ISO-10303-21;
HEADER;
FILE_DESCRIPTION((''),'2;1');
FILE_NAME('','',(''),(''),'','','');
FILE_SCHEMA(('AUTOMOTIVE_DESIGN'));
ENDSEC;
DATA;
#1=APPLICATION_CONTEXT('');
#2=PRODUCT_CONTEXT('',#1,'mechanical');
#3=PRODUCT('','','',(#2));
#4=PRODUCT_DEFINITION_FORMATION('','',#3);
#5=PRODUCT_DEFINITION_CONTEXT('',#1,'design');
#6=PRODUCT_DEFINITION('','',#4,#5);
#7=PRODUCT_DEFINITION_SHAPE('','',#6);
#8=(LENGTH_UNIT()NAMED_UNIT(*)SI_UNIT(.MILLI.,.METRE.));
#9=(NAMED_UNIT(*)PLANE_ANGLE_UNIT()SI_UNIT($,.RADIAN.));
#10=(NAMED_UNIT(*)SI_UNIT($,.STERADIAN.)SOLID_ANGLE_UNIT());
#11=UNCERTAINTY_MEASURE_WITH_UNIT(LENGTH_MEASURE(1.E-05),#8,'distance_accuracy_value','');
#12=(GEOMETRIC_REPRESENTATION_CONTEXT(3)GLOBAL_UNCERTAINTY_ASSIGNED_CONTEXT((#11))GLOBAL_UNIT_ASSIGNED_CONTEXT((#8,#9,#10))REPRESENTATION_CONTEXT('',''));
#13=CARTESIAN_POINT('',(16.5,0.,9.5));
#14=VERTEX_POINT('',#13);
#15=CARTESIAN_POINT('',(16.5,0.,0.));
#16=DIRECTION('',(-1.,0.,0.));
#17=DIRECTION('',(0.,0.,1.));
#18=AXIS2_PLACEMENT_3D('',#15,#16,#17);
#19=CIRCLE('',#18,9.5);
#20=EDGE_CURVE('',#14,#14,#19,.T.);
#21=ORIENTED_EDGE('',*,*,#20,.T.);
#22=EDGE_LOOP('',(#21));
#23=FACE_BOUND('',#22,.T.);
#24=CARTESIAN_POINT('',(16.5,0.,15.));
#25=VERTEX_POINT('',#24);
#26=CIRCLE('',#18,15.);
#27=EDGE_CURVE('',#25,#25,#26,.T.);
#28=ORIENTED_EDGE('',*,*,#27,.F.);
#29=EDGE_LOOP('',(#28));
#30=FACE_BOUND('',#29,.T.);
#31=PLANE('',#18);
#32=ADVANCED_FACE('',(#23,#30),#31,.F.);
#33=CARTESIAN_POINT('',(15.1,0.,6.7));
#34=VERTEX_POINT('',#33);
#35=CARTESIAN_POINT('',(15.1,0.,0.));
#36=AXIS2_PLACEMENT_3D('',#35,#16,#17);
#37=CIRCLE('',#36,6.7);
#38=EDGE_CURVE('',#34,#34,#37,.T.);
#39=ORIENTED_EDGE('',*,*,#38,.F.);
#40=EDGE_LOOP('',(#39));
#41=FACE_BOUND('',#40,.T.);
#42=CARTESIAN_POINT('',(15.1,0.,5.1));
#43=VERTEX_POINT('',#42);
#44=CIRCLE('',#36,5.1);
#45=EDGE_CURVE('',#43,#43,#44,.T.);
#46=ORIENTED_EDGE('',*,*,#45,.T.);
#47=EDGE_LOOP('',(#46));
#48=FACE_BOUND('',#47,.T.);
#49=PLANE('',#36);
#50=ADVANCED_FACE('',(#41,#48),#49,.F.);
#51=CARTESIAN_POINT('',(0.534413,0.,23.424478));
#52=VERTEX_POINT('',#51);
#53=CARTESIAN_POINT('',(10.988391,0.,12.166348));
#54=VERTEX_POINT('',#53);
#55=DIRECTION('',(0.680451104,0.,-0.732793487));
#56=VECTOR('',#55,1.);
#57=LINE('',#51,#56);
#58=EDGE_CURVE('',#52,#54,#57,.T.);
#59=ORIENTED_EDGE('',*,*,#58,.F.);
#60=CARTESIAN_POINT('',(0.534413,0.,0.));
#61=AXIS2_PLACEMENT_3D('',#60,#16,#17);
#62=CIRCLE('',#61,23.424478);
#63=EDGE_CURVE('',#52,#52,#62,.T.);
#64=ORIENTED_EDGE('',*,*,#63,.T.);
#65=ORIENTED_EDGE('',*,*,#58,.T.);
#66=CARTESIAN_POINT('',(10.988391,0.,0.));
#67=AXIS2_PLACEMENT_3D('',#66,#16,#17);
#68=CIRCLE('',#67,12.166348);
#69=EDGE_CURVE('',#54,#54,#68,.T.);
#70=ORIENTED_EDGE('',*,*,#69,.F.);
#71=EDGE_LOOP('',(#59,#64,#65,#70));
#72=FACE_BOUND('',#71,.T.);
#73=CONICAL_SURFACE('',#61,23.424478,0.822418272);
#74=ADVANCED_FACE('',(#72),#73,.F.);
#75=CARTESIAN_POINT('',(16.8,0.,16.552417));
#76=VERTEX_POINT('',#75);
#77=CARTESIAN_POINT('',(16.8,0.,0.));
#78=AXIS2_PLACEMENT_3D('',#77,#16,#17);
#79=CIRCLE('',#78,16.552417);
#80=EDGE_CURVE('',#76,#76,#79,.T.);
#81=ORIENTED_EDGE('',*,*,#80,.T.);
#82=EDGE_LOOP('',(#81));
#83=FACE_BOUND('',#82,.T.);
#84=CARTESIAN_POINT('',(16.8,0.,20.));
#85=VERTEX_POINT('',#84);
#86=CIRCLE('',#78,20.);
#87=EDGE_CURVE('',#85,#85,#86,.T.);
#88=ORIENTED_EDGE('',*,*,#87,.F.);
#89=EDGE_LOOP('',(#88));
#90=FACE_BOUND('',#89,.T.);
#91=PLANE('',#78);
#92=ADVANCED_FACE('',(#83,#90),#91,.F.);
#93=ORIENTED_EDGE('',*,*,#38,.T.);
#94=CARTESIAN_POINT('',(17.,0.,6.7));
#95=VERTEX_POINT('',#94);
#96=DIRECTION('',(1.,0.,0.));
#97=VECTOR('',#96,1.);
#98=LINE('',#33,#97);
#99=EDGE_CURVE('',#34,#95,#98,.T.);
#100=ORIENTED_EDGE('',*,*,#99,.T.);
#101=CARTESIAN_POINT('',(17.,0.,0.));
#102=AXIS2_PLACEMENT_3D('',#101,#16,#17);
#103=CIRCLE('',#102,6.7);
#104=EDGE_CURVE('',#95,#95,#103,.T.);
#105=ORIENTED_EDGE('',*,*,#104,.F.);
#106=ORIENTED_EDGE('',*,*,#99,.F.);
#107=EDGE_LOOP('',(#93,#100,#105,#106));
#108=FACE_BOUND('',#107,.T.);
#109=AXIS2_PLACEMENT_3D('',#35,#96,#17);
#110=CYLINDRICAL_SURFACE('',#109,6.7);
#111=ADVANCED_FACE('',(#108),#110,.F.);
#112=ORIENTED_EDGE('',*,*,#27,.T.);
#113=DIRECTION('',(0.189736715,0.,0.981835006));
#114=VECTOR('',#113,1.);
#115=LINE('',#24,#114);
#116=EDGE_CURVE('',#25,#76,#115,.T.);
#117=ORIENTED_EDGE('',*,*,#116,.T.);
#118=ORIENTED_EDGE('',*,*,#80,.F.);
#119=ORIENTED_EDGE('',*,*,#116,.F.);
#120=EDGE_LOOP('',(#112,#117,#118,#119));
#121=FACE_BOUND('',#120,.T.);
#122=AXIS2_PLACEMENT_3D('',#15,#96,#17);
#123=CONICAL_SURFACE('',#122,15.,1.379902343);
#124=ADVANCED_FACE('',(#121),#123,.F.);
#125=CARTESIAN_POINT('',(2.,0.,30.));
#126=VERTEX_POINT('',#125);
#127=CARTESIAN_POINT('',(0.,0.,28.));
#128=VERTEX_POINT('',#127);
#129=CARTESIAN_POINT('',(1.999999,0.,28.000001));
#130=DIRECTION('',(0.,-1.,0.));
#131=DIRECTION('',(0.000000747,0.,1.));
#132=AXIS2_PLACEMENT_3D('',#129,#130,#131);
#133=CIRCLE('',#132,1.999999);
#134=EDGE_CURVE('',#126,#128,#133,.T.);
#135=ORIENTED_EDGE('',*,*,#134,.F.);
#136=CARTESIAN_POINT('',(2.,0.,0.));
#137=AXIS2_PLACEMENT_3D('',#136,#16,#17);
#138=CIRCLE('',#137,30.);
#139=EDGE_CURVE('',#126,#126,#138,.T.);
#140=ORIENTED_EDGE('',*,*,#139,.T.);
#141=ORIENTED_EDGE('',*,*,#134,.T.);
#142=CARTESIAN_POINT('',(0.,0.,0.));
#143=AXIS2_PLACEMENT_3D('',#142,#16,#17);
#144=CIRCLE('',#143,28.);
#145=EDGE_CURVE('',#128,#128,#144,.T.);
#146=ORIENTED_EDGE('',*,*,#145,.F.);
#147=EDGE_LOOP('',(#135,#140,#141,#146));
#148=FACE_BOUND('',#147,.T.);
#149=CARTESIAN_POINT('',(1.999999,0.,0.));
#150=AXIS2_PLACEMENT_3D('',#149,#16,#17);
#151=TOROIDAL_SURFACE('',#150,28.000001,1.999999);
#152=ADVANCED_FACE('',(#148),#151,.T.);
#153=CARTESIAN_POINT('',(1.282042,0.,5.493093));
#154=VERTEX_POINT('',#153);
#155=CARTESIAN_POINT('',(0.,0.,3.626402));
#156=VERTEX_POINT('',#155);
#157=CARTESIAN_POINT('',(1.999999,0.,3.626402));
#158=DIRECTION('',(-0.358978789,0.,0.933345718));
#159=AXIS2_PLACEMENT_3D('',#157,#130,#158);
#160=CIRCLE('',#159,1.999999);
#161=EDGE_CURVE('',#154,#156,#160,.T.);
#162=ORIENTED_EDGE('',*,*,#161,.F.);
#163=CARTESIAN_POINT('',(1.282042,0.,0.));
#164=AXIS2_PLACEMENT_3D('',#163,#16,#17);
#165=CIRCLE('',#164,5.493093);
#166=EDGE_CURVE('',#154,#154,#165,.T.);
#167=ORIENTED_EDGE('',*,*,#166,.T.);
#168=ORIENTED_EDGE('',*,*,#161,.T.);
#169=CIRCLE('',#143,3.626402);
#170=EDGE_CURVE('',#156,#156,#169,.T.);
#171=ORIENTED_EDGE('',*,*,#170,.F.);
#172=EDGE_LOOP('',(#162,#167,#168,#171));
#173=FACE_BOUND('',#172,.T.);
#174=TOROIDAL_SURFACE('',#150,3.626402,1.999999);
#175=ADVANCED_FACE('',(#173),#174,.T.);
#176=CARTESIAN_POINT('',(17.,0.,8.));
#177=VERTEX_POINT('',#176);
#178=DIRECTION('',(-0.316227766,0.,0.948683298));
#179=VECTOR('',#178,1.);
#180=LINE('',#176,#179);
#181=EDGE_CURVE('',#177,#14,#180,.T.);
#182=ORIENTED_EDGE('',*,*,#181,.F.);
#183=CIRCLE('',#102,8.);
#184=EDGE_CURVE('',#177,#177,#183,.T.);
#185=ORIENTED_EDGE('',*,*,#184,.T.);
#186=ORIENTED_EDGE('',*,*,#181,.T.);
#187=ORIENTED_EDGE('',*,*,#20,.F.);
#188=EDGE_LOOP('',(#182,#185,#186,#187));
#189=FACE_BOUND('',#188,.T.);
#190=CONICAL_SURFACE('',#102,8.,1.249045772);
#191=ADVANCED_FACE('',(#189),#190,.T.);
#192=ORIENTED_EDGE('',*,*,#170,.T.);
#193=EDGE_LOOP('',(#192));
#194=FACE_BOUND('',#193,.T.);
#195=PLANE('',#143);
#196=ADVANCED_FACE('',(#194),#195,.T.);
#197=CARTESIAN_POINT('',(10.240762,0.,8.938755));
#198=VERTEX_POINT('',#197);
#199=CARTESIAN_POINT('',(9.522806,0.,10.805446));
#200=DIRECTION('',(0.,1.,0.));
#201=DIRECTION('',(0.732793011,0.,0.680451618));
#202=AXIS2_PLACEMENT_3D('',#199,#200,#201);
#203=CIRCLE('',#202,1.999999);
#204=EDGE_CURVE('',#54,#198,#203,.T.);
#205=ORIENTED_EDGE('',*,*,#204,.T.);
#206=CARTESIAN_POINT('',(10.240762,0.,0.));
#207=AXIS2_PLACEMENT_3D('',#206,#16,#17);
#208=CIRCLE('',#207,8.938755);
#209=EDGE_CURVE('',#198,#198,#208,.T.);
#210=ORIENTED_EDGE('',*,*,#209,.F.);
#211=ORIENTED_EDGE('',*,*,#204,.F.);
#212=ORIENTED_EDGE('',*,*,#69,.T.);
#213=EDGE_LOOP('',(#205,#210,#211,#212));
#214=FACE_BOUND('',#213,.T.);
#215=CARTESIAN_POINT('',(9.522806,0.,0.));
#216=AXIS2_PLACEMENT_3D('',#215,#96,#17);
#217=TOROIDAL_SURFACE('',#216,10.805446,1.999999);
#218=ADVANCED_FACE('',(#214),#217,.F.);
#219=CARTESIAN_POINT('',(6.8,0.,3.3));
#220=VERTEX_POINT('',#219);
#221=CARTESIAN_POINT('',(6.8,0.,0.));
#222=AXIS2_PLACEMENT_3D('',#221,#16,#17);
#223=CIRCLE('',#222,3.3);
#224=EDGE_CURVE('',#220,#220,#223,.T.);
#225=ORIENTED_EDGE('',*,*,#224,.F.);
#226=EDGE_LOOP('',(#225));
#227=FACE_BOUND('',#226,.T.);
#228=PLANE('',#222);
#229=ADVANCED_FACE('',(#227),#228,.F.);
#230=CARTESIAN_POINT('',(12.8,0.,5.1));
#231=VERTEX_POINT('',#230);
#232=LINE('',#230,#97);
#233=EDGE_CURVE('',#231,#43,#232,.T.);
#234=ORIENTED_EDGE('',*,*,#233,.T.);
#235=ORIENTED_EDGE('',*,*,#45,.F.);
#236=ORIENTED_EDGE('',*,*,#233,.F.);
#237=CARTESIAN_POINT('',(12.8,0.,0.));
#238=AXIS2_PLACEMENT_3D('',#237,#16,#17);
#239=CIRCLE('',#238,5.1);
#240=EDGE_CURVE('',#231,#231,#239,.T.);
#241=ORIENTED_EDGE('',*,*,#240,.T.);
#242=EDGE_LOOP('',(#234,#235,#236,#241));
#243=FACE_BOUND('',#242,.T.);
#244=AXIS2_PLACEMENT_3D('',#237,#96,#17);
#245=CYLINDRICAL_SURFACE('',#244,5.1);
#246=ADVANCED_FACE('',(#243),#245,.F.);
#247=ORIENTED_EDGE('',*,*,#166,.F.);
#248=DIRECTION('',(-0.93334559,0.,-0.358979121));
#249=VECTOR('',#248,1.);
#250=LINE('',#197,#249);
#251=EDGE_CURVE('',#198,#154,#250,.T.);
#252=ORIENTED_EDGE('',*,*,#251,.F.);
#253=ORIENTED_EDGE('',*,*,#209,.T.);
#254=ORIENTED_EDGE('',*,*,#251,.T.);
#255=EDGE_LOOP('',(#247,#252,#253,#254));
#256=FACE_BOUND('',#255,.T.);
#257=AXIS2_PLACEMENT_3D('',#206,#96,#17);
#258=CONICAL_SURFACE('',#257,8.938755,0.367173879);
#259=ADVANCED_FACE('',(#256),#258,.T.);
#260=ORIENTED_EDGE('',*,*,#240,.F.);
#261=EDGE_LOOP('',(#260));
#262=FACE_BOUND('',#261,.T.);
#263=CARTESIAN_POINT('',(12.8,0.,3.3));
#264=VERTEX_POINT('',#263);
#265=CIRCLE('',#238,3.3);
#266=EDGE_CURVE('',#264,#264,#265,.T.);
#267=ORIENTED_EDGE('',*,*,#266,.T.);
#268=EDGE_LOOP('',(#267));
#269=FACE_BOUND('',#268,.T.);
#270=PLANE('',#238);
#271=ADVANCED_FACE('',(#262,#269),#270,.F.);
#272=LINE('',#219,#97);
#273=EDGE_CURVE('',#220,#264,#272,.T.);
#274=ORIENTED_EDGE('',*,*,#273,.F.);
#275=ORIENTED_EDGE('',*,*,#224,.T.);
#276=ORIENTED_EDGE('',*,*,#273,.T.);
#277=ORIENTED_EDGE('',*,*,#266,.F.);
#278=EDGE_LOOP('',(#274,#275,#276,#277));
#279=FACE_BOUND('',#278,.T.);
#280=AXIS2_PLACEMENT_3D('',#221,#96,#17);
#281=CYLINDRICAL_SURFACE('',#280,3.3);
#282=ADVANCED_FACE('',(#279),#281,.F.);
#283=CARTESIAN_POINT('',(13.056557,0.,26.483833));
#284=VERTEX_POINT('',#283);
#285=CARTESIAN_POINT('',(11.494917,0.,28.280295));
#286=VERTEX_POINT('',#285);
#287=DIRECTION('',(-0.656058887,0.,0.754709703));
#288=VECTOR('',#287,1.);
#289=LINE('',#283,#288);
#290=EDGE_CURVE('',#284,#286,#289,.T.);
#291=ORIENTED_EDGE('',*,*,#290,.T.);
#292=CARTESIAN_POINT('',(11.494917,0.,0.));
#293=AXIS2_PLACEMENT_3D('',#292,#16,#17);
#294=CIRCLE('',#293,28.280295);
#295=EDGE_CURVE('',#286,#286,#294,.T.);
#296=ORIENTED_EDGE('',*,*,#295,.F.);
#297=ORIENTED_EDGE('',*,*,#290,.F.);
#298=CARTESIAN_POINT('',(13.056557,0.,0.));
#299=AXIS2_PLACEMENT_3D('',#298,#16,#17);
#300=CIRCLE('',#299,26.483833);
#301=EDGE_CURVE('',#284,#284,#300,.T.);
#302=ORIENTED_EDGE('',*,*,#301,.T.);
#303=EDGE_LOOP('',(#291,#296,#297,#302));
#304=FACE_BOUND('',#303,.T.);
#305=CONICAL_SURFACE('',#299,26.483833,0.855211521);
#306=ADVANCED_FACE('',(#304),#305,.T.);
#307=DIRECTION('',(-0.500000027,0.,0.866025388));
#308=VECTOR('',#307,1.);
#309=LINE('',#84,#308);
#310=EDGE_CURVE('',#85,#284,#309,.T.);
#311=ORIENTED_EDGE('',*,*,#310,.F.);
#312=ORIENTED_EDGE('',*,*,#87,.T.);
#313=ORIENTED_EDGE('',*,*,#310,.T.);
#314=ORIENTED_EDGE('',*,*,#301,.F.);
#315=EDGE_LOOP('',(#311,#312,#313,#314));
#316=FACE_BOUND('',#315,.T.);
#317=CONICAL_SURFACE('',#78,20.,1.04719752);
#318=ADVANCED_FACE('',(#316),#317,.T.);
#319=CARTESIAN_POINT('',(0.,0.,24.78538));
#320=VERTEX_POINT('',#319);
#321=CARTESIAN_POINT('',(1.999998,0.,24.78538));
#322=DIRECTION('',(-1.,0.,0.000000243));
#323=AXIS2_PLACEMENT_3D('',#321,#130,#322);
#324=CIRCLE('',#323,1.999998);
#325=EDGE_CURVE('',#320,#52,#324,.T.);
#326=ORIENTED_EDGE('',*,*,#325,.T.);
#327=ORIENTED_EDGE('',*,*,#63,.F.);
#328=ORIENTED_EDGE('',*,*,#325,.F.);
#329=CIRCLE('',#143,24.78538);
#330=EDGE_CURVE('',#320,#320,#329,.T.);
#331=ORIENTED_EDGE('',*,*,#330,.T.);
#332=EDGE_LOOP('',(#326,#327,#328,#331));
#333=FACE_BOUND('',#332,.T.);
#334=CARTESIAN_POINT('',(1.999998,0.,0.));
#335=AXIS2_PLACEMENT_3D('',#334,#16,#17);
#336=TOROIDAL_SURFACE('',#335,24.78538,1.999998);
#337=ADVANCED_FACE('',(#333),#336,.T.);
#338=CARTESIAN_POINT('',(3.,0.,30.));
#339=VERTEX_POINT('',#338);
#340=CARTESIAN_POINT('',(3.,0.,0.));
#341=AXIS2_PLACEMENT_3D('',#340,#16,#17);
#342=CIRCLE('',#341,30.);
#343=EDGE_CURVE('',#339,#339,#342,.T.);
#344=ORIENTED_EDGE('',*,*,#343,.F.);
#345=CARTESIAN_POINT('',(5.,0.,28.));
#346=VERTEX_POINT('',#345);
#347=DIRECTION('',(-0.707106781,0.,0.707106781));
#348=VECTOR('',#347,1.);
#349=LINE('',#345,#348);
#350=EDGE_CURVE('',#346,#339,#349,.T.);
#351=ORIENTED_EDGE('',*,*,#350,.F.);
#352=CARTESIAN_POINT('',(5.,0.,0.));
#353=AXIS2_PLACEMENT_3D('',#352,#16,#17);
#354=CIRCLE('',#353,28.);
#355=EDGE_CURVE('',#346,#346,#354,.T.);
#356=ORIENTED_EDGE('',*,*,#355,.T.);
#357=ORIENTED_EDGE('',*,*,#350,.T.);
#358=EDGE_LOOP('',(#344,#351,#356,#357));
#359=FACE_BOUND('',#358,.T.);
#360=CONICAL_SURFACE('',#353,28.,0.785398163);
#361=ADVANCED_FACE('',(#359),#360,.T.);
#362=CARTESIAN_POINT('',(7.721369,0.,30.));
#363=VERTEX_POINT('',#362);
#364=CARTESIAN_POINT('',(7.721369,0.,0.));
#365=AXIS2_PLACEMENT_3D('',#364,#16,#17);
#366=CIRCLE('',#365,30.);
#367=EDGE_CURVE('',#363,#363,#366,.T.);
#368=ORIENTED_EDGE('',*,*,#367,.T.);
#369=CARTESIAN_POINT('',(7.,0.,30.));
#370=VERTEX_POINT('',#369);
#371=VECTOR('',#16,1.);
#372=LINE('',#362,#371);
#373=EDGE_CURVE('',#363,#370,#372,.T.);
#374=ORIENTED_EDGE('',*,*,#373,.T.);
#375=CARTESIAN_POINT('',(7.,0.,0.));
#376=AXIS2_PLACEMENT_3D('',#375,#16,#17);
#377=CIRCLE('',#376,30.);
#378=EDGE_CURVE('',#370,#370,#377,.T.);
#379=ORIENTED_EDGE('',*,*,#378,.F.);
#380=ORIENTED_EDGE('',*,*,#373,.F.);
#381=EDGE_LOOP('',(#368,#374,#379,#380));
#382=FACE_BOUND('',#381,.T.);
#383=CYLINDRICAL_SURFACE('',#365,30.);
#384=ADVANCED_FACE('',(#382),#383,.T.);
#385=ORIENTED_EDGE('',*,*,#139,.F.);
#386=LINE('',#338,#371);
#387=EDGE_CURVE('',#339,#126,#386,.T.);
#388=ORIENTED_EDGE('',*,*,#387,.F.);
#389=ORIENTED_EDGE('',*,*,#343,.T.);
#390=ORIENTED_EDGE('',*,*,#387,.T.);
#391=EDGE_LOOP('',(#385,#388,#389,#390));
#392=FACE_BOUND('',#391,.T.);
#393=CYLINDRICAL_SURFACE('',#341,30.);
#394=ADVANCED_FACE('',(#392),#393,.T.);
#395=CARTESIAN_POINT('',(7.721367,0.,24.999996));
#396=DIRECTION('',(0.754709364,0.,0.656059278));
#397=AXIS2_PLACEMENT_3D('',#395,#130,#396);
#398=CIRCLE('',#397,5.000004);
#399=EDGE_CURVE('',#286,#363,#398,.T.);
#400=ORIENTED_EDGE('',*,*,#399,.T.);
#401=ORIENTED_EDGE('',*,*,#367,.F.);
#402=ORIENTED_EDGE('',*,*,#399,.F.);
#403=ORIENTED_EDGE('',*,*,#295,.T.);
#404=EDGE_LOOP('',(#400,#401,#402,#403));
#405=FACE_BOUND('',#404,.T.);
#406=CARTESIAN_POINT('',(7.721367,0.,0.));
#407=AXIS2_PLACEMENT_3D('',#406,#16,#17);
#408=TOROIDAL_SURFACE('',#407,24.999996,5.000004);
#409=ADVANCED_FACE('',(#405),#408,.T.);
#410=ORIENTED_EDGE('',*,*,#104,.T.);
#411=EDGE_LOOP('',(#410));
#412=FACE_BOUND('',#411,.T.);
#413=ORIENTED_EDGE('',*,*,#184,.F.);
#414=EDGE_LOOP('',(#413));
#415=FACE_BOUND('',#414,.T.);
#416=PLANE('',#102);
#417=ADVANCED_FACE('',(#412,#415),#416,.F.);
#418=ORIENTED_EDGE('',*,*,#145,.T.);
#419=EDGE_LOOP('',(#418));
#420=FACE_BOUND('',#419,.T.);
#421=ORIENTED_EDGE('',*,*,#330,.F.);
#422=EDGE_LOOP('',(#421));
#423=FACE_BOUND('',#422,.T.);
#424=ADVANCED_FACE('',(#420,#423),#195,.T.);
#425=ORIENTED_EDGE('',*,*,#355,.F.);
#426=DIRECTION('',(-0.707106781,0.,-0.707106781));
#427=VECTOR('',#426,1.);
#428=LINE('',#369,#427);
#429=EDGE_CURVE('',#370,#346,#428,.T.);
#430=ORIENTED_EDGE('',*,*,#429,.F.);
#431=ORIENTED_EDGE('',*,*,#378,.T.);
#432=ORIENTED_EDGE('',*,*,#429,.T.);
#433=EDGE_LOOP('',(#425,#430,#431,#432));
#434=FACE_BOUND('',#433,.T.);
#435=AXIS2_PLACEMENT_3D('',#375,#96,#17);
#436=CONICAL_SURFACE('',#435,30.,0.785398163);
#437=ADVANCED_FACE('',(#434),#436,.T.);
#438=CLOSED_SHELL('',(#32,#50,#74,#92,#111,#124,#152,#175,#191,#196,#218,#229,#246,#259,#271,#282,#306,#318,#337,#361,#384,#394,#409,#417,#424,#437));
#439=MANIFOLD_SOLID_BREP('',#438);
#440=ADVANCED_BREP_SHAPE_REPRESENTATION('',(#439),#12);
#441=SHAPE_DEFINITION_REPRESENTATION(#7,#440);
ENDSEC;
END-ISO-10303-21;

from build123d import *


with BuildPart() as f1:
    # F0 (on Front) → F1 (revolve)
    with BuildSketch(Plane.XZ):
        with BuildLine():
            Line((0, 3.626402), (0, 0))
            Line((0, 0), (6.8, 0))
            Line((6.8, 0), (6.8, 3.3))
            Line((6.8, 3.3), (12.8, 3.3))
            Line((12.8, 3.3), (12.8, 5.1))
            Line((12.8, 5.1), (15.1, 5.1))
            Line((15.1, 5.1), (15.1, 6.7))
            Line((15.1, 6.7), (17, 6.7))
            Line((17, 6.7), (17, 8))
            Line((17, 8), (16.5, 9.5))
            Line((16.5, 9.5), (16.5, 15))
            Line((16.5, 15), (16.8, 16.552417))
            Line((16.8, 16.552417), (16.8, 20))
            Line((16.8, 20), (13.056557, 26.483833))
            Line((13.056557, 26.483833), (11.494917, 28.280295))
            ThreePointArc((11.494917, 28.280295), (9.794835, 29.549806), (7.721369, 30))
            Line((7.721369, 30), (7, 30))
            Line((7, 30), (5, 28))
            Line((5, 28), (3, 30))
            Line((3, 30), (2, 30))
            ThreePointArc((2, 30), (0.585786, 29.414214), (0, 28))
            Line((0, 28), (0, 24.78538))
            ThreePointArc((0, 24.78538), (0.138391, 24.054345), (0.534413, 23.424478))
            Line((0.534413, 23.424478), (10.988391, 12.166348))
            ThreePointArc((10.988391, 12.166348), (11.471216, 10.354122), (10.240762, 8.938755))
            Line((10.240762, 8.938755), (1.282042, 5.493093))
            ThreePointArc((1.282042, 5.493093), (0.351377, 4.758675), (0, 3.626402))
        make_face()
    revolve(axis=Axis((3.4, 0, 0), (-1, 0, 0)))


solid = f1.part
